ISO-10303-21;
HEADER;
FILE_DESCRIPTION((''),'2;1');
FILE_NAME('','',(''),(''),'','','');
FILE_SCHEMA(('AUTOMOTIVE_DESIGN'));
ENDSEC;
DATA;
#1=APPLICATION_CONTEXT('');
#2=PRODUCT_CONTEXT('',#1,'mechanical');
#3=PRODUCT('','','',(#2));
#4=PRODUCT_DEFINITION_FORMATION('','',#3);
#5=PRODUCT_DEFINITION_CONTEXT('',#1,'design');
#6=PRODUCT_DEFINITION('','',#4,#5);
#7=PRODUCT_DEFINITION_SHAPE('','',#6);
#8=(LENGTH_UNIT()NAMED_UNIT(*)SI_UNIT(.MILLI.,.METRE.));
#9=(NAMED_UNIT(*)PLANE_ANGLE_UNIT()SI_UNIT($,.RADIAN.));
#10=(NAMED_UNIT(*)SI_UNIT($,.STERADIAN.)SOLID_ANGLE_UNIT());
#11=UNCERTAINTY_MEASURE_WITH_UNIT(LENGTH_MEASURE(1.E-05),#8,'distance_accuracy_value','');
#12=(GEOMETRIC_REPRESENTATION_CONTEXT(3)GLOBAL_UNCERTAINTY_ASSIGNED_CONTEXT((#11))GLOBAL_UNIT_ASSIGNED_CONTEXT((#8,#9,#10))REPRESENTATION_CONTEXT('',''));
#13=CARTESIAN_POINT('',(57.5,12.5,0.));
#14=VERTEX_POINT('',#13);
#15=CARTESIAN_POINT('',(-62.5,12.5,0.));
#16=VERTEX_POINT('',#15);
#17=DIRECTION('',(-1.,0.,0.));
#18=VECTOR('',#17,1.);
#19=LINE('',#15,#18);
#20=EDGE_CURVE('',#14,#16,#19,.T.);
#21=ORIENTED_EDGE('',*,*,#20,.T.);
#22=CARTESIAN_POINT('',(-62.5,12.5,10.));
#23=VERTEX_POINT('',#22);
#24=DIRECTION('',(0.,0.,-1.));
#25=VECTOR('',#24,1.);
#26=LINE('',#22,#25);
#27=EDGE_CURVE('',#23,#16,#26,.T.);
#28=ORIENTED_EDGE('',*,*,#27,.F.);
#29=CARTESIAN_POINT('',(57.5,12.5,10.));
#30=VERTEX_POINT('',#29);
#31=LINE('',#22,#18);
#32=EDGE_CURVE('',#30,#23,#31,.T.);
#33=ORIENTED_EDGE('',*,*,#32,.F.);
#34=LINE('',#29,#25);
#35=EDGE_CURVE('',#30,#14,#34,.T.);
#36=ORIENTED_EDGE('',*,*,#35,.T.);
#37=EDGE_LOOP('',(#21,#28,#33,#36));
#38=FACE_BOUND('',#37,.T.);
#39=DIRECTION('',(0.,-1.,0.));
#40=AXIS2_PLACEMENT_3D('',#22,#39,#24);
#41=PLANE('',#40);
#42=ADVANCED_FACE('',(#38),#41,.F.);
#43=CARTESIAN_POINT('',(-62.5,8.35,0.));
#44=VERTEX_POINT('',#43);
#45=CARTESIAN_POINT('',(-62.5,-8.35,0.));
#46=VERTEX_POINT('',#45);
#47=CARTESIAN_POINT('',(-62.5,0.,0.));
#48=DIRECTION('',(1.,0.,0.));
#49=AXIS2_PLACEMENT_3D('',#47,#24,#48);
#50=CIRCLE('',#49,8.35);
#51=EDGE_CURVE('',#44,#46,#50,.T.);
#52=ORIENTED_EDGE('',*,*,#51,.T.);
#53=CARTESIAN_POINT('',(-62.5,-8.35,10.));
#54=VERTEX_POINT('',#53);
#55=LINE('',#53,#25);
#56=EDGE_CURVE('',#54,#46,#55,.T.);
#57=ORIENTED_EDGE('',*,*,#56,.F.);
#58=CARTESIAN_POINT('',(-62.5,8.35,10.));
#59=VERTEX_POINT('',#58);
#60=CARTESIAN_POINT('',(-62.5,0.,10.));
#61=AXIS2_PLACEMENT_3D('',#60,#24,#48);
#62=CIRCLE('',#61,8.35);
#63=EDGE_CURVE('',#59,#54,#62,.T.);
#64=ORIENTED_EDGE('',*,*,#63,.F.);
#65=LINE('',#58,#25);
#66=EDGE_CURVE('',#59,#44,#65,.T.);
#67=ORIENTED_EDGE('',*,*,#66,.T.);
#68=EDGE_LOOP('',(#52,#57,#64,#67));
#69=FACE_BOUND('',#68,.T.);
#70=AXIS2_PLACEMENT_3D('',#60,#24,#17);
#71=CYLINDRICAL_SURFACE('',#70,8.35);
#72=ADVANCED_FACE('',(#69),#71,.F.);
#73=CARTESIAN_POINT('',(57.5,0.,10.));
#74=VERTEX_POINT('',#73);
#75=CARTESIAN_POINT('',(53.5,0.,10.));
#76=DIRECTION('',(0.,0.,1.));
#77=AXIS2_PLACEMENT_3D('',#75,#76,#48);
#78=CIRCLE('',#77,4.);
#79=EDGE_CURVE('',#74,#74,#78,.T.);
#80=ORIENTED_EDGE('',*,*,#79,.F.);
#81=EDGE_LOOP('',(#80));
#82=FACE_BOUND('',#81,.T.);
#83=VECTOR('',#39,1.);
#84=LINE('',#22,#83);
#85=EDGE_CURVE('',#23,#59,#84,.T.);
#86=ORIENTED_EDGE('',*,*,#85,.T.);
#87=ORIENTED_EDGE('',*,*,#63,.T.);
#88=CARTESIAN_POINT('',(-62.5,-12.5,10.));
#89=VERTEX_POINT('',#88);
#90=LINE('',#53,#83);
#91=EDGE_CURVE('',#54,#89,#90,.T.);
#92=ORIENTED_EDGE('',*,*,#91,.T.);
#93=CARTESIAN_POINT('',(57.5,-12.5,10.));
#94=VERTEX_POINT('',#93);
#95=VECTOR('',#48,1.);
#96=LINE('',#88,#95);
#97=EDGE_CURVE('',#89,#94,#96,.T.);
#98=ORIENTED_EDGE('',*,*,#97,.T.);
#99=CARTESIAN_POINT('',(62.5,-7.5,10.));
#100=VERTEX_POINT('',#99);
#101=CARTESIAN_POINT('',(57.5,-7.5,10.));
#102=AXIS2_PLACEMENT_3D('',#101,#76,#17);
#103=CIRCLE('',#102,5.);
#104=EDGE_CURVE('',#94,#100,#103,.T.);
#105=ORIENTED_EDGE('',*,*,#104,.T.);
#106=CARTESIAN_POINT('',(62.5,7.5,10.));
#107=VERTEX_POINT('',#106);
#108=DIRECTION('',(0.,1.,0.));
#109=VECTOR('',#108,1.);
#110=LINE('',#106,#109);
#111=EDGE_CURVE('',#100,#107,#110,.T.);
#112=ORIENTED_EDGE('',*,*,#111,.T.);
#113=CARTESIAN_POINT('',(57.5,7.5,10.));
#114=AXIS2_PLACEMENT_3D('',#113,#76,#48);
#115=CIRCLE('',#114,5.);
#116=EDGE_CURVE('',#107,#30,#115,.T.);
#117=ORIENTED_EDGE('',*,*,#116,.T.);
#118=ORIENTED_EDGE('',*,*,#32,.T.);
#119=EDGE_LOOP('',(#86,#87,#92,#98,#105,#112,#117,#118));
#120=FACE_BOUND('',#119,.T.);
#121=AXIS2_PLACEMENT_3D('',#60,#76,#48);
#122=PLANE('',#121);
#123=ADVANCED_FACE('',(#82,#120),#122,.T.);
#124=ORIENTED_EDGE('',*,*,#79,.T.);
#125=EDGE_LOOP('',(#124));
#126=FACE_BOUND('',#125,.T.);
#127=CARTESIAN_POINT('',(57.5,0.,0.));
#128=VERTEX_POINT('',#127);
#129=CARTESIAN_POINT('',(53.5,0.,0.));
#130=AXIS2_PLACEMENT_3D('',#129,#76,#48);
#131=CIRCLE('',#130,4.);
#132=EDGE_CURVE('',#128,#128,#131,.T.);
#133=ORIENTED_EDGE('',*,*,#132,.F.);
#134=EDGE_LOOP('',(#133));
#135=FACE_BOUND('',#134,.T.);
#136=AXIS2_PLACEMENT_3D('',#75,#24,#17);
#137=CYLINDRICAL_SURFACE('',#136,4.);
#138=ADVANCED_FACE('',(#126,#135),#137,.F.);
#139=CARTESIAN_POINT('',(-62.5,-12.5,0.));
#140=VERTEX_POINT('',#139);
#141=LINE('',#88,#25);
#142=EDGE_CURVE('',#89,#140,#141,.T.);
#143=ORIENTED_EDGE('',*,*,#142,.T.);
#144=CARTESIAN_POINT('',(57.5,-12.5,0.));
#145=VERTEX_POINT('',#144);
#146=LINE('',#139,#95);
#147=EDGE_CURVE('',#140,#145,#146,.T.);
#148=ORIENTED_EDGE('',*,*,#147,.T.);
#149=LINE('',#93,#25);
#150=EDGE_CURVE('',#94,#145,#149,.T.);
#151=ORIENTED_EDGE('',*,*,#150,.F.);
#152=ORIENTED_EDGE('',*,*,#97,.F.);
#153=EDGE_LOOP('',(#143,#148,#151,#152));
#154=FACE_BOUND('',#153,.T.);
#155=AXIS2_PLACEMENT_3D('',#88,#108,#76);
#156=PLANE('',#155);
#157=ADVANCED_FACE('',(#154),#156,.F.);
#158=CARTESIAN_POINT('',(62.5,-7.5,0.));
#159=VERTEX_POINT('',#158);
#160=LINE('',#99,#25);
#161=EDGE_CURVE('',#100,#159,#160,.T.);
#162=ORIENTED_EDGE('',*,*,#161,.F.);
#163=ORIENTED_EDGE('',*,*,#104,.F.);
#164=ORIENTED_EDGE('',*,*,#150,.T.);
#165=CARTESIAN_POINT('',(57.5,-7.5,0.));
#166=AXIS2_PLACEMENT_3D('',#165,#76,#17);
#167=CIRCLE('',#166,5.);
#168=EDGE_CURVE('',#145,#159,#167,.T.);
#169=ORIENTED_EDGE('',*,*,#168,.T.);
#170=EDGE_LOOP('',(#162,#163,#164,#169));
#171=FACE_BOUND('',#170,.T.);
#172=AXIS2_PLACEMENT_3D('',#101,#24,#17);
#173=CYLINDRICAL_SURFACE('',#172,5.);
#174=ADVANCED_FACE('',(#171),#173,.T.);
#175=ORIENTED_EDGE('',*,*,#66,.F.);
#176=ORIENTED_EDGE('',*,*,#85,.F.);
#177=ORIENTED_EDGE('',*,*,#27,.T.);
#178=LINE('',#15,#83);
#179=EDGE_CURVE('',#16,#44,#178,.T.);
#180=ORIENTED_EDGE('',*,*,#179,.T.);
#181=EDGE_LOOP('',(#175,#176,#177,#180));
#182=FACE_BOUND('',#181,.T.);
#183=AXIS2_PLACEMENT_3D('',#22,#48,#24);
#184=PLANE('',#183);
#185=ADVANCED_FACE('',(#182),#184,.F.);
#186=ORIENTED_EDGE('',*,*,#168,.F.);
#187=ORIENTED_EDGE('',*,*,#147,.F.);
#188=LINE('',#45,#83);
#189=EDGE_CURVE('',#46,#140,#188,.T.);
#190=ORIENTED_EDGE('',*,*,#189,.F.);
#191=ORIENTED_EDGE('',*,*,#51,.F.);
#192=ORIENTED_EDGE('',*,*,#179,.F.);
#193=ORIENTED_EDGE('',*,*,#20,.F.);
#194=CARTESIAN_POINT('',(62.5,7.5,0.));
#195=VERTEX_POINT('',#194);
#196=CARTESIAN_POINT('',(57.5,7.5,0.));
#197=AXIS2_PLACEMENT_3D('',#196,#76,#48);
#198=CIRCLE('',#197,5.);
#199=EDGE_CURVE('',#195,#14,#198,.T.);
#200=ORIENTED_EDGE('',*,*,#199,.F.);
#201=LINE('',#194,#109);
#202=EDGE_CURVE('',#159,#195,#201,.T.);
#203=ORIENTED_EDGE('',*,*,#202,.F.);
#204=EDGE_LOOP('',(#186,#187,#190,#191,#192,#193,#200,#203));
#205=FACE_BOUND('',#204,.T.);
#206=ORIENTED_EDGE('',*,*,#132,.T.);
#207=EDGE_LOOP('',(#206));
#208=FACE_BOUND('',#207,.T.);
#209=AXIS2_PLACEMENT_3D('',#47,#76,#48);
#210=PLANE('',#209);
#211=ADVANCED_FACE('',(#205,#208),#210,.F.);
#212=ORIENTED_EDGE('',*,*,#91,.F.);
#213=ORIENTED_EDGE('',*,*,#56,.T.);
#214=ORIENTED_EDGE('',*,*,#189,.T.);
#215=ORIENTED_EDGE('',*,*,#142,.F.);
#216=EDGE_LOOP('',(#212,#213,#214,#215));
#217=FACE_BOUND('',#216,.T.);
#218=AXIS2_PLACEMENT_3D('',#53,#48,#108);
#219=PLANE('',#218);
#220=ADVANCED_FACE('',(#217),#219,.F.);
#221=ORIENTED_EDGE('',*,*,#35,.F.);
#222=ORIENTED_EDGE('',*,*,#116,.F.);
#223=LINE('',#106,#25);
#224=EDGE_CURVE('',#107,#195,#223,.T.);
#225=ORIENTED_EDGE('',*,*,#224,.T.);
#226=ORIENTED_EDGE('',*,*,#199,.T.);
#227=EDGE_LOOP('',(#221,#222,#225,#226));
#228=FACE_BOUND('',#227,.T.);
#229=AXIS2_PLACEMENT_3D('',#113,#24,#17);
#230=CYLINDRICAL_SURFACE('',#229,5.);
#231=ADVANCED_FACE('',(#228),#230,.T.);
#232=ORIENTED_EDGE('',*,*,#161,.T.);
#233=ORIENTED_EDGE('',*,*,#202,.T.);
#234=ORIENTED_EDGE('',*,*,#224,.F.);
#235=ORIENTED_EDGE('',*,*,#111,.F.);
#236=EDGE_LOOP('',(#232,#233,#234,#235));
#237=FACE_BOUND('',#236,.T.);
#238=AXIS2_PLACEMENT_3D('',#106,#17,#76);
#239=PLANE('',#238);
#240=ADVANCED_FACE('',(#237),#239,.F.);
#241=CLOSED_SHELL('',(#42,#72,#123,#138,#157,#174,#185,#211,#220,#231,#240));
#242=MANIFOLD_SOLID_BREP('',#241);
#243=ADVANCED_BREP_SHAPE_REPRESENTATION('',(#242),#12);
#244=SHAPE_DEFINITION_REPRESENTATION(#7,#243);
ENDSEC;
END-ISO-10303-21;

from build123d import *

# Parameters (mm, degrees)
SKETCH1_R           = 4
BOSS_EXTRUDE1_DEPTH = 10


with BuildPart() as part:
    # Sketch1 → Boss-Extrude1 (new body)
    with BuildSketch(Plane.XY):
        with BuildLine():
            Line((-62.5, 12.5), (57.5, 12.5))
            ThreePointArc((57.5, 12.5), (61.035533906, 11.035533906), (62.5, 7.5))
            Line((62.5, 7.5), (62.5, -7.5))
            ThreePointArc((62.5, -7.5), (61.035533906, -11.035533906), (57.5, -12.5))
            Line((57.5, -12.5), (-62.5, -12.5))
            Line((-62.5, -12.5), (-62.5, -8.35))
            ThreePointArc((-62.5, -8.35), (-54.15, 0), (-62.5, 8.35))
            Line((-62.5, 8.35), (-62.5, 12.5))
        make_face()
        with Locations((53.5, 0)):
            Circle(SKETCH1_R, mode=Mode.SUBTRACT)
    extrude(amount=BOSS_EXTRUDE1_DEPTH)


solid = part.part
